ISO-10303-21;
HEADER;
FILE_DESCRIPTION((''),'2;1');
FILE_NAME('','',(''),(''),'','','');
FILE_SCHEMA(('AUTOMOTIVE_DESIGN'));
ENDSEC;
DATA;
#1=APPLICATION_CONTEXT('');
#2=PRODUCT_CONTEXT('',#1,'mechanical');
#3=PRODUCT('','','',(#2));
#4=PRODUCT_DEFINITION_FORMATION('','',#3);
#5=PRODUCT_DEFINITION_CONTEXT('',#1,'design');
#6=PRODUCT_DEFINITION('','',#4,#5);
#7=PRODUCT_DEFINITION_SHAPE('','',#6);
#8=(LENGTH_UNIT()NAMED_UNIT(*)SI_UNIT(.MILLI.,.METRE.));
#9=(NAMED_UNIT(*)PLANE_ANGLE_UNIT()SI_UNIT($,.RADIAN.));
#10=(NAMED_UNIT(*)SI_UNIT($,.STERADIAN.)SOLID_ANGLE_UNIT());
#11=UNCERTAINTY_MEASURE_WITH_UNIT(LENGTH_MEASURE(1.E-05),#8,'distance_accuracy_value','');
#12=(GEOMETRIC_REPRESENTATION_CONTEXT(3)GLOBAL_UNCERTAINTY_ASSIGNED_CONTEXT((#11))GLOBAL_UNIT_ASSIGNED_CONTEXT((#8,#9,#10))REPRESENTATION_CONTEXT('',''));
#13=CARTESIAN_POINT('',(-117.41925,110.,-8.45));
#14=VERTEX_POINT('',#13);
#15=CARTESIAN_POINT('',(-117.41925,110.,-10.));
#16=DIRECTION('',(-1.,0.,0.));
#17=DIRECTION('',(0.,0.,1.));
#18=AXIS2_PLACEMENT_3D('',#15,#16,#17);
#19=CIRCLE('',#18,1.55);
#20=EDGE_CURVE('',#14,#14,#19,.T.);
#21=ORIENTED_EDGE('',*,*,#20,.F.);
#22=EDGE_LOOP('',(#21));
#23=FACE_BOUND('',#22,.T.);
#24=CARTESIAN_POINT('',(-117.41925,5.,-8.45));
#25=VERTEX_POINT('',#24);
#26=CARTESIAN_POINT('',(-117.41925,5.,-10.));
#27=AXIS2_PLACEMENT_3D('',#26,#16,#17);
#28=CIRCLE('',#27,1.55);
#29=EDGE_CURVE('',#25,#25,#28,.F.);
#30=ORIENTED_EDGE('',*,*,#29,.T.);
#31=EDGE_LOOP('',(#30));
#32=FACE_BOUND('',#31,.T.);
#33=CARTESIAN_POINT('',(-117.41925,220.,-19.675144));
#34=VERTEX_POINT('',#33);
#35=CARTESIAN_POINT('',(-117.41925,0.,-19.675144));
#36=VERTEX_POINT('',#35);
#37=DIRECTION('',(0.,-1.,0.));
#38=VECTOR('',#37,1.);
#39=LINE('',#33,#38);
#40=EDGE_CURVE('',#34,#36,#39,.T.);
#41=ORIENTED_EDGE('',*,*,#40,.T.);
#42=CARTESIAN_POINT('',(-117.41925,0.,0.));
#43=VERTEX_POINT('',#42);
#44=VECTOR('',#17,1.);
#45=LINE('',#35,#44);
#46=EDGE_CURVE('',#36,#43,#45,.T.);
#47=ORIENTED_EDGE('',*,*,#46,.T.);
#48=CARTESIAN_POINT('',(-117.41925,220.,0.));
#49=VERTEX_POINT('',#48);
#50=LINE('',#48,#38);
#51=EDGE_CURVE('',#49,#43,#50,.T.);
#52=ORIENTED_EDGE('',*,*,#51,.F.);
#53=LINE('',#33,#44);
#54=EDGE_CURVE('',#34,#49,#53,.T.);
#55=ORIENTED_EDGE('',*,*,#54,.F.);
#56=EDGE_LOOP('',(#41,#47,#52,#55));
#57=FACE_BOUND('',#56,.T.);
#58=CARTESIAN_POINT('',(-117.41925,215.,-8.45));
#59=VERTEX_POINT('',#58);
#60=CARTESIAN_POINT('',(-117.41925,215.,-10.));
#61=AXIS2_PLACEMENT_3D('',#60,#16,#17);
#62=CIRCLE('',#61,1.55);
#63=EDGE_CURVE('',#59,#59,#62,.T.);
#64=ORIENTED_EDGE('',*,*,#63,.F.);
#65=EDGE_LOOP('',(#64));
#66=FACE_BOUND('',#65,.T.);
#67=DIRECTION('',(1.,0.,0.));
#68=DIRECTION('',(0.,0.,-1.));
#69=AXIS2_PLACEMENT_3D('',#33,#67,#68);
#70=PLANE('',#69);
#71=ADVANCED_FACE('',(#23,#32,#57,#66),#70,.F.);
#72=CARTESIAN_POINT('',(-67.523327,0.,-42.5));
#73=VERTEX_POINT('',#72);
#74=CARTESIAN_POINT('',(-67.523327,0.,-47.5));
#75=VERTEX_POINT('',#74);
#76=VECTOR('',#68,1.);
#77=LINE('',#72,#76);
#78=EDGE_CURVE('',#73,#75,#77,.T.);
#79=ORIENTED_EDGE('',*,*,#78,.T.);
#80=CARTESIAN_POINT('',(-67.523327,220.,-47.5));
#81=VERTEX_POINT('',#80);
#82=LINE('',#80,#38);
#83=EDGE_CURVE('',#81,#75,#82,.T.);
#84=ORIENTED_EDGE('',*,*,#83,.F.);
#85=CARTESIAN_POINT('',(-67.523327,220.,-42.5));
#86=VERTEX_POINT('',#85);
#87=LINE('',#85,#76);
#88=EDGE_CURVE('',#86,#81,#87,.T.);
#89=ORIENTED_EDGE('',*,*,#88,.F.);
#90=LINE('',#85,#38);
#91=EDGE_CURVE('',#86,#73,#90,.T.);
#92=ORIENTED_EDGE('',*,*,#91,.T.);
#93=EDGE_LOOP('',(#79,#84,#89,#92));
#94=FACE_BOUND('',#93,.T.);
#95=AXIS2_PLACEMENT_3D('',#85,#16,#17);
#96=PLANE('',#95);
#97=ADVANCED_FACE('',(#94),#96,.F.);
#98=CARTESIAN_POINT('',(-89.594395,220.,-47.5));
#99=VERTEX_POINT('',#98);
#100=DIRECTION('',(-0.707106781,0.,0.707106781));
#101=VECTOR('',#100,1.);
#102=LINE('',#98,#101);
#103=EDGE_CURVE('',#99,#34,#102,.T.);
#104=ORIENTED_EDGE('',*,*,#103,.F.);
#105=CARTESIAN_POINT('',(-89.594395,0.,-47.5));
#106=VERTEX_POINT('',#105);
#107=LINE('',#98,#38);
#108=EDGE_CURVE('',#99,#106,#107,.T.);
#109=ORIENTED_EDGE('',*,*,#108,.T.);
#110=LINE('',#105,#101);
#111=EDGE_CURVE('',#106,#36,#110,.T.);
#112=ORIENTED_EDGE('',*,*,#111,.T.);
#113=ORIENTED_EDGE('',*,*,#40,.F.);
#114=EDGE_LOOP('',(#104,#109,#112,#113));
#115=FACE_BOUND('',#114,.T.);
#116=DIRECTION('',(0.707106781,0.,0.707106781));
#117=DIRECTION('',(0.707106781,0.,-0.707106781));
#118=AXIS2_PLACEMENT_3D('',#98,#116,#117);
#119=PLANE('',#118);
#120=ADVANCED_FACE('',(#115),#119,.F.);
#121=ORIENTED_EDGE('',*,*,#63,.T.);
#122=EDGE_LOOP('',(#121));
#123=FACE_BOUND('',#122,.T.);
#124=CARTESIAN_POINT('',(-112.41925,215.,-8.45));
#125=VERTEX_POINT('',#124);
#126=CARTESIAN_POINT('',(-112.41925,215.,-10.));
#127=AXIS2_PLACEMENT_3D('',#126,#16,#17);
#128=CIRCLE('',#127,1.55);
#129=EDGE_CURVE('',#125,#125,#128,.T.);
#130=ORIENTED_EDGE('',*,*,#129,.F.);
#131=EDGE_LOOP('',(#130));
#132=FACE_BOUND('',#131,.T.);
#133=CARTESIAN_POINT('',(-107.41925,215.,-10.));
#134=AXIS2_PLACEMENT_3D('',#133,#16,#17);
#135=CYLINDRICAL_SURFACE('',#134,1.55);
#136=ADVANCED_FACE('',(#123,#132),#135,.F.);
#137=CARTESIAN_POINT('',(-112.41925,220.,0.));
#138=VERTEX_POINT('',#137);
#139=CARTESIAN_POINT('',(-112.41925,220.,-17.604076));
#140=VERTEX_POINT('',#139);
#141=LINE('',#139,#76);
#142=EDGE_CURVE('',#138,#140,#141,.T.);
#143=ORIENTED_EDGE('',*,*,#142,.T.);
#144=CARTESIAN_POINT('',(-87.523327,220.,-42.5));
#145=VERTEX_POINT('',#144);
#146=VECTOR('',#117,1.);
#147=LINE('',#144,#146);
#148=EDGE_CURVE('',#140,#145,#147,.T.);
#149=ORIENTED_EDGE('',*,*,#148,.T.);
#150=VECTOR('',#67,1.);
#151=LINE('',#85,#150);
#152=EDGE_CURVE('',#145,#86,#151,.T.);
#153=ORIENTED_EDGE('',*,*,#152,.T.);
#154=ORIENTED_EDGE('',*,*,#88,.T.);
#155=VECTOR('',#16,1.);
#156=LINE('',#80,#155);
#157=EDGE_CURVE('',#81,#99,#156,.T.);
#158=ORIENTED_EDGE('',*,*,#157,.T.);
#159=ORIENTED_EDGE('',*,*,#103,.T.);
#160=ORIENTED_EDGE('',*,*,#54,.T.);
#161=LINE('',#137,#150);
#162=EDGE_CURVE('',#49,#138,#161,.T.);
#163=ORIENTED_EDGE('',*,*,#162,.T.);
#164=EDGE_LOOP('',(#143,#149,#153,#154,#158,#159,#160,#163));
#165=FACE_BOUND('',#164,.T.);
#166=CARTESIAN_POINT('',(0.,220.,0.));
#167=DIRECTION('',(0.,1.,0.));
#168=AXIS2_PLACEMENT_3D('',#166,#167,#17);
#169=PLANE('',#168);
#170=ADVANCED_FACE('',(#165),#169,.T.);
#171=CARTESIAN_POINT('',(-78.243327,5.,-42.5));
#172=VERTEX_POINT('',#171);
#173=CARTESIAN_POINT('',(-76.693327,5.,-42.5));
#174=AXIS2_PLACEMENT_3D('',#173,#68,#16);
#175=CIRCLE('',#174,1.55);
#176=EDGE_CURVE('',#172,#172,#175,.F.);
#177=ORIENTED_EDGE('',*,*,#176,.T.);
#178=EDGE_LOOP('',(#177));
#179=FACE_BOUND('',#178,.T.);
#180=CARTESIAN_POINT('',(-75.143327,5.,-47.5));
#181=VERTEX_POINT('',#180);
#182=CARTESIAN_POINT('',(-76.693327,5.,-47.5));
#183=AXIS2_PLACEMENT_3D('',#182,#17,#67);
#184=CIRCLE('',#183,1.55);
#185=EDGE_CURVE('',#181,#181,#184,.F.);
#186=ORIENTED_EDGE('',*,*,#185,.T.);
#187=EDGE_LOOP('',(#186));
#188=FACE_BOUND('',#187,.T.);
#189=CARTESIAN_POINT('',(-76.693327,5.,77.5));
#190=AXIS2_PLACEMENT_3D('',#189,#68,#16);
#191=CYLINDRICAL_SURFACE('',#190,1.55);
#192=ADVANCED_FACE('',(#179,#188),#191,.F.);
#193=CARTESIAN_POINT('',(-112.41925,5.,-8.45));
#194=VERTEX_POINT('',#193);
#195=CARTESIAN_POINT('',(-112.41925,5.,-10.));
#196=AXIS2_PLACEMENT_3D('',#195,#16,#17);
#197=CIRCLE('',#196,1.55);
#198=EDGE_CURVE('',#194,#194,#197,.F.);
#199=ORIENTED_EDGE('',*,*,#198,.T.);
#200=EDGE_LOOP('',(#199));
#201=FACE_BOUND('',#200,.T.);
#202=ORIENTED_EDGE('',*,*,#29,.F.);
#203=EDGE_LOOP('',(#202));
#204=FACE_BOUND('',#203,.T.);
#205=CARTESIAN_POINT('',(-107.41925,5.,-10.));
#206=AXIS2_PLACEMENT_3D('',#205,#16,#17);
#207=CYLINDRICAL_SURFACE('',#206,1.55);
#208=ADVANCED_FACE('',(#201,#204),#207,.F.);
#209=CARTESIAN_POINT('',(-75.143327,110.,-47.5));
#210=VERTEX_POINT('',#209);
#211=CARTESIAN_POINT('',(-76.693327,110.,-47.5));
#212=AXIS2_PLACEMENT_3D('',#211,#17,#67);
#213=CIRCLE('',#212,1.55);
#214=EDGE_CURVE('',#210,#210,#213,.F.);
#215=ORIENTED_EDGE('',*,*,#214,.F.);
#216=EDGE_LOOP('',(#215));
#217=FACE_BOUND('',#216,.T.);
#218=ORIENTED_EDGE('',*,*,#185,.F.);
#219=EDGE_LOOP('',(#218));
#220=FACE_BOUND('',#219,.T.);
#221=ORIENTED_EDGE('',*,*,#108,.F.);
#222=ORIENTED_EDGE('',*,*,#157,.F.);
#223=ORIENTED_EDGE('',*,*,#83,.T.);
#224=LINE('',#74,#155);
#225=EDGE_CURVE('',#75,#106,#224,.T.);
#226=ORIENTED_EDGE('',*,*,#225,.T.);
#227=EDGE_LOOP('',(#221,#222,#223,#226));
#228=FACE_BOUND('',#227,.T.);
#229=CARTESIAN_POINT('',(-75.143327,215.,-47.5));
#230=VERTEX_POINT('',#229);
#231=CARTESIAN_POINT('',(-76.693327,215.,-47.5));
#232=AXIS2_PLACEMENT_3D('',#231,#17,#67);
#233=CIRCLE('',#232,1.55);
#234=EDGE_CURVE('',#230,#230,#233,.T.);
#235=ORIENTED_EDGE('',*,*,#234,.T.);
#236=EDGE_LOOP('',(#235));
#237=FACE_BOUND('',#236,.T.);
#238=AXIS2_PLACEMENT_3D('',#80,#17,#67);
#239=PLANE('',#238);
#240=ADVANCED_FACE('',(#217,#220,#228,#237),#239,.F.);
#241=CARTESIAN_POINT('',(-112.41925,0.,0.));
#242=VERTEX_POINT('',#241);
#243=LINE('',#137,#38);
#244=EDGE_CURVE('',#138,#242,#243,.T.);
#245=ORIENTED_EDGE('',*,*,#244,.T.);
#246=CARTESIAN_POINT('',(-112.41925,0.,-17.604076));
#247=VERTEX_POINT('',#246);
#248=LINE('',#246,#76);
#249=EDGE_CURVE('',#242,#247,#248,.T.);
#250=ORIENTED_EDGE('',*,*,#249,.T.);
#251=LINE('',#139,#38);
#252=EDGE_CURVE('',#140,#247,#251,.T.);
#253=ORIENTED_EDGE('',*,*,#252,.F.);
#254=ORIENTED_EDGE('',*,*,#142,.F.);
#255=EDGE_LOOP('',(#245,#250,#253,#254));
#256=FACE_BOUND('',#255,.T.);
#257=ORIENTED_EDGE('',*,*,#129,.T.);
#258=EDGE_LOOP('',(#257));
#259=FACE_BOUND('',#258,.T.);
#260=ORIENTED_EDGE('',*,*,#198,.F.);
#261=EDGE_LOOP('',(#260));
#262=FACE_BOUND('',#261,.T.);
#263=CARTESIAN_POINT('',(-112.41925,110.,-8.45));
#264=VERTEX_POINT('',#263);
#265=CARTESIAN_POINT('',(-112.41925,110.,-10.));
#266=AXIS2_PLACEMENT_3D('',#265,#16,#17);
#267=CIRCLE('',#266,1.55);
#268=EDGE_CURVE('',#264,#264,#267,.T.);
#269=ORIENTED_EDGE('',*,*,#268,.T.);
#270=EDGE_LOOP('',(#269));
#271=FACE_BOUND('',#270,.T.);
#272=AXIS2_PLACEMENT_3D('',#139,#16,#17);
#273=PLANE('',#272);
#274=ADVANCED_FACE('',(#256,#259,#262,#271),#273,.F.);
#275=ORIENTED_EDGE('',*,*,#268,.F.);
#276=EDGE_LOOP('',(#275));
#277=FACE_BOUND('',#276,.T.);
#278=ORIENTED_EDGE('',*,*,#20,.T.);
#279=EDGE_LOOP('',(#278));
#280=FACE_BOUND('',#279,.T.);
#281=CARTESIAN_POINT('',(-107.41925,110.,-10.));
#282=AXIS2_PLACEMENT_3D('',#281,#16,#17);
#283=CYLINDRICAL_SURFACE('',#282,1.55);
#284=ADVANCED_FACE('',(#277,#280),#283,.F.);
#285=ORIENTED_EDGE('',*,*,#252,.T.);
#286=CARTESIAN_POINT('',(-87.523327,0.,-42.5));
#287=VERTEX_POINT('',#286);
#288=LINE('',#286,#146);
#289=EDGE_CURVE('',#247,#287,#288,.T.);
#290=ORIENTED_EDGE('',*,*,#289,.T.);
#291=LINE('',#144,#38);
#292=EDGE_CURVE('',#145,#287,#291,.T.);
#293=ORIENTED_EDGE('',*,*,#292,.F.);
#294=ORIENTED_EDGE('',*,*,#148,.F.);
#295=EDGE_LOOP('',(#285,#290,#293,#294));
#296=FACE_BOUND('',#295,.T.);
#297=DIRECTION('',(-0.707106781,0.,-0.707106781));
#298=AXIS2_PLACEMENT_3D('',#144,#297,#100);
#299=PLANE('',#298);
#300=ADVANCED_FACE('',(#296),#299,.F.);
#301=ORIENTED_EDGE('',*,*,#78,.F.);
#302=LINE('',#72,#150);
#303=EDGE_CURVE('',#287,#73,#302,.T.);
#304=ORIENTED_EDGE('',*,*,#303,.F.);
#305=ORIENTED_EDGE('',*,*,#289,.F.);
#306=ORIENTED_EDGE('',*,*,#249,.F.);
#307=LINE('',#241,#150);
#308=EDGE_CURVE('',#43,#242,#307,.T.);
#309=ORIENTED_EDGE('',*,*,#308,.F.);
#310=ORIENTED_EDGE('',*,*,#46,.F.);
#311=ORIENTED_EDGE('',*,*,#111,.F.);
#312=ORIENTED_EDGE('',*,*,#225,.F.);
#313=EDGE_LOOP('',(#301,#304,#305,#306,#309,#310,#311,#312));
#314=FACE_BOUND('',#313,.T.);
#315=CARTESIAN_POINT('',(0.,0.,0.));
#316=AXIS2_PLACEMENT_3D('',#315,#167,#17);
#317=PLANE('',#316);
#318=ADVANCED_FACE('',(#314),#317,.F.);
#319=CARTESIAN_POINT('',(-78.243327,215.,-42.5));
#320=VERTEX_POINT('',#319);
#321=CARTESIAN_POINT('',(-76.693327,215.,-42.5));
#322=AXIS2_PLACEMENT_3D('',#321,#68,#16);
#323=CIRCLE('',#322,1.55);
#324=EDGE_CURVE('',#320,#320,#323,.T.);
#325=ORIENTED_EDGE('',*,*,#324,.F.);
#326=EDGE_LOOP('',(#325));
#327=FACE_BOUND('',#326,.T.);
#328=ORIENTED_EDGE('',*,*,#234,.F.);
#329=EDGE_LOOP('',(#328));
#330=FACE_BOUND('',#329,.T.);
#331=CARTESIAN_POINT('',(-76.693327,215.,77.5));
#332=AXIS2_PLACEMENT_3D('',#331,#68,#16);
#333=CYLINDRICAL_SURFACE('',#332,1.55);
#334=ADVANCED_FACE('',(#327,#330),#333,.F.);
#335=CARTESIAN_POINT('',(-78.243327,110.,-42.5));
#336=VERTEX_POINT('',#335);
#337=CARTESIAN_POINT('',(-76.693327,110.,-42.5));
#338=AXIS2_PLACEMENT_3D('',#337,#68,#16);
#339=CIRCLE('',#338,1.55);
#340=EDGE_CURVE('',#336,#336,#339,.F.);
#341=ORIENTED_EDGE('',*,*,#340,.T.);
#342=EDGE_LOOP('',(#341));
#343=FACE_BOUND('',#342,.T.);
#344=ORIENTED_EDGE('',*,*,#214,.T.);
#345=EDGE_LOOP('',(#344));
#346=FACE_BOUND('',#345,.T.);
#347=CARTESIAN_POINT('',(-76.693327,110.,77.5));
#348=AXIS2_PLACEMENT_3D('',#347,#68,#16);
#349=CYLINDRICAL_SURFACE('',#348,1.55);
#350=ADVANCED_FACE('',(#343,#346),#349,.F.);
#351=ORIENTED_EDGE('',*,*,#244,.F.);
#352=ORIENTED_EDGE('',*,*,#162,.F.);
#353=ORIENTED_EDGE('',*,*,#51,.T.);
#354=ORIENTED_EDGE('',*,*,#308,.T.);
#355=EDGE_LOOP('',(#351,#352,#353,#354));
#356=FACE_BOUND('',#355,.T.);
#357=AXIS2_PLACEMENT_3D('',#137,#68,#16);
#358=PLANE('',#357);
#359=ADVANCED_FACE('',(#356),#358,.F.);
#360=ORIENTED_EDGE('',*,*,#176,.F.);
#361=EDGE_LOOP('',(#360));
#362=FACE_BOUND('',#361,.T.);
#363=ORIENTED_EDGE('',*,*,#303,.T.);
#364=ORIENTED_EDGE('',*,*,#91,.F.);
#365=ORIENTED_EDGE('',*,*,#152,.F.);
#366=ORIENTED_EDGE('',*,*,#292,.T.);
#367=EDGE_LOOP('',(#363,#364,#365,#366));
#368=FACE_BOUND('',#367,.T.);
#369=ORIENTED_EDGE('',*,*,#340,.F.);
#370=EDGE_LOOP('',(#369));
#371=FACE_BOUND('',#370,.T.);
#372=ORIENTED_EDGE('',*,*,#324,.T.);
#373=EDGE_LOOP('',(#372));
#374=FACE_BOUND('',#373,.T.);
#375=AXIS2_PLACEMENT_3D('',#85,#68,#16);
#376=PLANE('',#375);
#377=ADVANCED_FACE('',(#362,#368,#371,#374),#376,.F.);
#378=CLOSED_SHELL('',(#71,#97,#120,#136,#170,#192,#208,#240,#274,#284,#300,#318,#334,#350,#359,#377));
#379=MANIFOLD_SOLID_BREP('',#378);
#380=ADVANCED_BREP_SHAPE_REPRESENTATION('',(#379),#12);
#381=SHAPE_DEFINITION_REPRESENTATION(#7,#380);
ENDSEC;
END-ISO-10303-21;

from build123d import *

# Parameters (mm, degrees)
EXTRUDE_1_DEPTH          = 220
SKETCH_3_R               = 1.55
CUT_EXTRUDE_1_DEPTH      = 10
CUT_EXTRUDE_2_DEPTH      = 120
CUT_EXTRUDE_2_DEPTH_BACK = 10
SKETCH_4_R               = 1.55


with BuildPart() as part:
    # 草图2 → 凸台-拉伸1 (new body)
    with BuildSketch(Plane(origin=(0, 0, 0), x_dir=(1, 0, 0), z_dir=(0, 1, 0))):
        Polygon((-87.523326774, 42.5), (-112.419250373, 17.604076401), (-112.419250373, 0), (-117.419250373, 0), (-117.419250373, 19.675144213), (-89.594394586, 47.5), (-67.523326774, 47.5), (-67.523326774, 42.5), align=None)
    extrude(amount=EXTRUDE_1_DEPTH)

    # 草图3 → 切除-拉伸1 (cut)
    with BuildSketch(Plane.ZY.offset(117.419250373)):
        with Locations((-10, 110)):
            Circle(SKETCH_3_R)
        with Locations((-10, 5)):
            Circle(SKETCH_3_R)
        with Locations((-10, 215)):
            Circle(SKETCH_3_R)
    extrude(amount=-CUT_EXTRUDE_1_DEPTH, mode=Mode.SUBTRACT)

    # 草图4 → 切除-拉伸2 (cut, two sides: drawn at the far end of the back side and taken through both)
    with BuildSketch(Plane.XY.offset(-42.5).offset(-CUT_EXTRUDE_2_DEPTH_BACK)):
        with Locations((-76.693326774, 110)):
            Circle(SKETCH_4_R)
        with Locations((-76.693326774, 5)):
            Circle(SKETCH_4_R)
        with Locations((-76.693326774, 215)):
            Circle(SKETCH_4_R)
    extrude(amount=CUT_EXTRUDE_2_DEPTH + CUT_EXTRUDE_2_DEPTH_BACK, mode=Mode.SUBTRACT)


solid = part.part
